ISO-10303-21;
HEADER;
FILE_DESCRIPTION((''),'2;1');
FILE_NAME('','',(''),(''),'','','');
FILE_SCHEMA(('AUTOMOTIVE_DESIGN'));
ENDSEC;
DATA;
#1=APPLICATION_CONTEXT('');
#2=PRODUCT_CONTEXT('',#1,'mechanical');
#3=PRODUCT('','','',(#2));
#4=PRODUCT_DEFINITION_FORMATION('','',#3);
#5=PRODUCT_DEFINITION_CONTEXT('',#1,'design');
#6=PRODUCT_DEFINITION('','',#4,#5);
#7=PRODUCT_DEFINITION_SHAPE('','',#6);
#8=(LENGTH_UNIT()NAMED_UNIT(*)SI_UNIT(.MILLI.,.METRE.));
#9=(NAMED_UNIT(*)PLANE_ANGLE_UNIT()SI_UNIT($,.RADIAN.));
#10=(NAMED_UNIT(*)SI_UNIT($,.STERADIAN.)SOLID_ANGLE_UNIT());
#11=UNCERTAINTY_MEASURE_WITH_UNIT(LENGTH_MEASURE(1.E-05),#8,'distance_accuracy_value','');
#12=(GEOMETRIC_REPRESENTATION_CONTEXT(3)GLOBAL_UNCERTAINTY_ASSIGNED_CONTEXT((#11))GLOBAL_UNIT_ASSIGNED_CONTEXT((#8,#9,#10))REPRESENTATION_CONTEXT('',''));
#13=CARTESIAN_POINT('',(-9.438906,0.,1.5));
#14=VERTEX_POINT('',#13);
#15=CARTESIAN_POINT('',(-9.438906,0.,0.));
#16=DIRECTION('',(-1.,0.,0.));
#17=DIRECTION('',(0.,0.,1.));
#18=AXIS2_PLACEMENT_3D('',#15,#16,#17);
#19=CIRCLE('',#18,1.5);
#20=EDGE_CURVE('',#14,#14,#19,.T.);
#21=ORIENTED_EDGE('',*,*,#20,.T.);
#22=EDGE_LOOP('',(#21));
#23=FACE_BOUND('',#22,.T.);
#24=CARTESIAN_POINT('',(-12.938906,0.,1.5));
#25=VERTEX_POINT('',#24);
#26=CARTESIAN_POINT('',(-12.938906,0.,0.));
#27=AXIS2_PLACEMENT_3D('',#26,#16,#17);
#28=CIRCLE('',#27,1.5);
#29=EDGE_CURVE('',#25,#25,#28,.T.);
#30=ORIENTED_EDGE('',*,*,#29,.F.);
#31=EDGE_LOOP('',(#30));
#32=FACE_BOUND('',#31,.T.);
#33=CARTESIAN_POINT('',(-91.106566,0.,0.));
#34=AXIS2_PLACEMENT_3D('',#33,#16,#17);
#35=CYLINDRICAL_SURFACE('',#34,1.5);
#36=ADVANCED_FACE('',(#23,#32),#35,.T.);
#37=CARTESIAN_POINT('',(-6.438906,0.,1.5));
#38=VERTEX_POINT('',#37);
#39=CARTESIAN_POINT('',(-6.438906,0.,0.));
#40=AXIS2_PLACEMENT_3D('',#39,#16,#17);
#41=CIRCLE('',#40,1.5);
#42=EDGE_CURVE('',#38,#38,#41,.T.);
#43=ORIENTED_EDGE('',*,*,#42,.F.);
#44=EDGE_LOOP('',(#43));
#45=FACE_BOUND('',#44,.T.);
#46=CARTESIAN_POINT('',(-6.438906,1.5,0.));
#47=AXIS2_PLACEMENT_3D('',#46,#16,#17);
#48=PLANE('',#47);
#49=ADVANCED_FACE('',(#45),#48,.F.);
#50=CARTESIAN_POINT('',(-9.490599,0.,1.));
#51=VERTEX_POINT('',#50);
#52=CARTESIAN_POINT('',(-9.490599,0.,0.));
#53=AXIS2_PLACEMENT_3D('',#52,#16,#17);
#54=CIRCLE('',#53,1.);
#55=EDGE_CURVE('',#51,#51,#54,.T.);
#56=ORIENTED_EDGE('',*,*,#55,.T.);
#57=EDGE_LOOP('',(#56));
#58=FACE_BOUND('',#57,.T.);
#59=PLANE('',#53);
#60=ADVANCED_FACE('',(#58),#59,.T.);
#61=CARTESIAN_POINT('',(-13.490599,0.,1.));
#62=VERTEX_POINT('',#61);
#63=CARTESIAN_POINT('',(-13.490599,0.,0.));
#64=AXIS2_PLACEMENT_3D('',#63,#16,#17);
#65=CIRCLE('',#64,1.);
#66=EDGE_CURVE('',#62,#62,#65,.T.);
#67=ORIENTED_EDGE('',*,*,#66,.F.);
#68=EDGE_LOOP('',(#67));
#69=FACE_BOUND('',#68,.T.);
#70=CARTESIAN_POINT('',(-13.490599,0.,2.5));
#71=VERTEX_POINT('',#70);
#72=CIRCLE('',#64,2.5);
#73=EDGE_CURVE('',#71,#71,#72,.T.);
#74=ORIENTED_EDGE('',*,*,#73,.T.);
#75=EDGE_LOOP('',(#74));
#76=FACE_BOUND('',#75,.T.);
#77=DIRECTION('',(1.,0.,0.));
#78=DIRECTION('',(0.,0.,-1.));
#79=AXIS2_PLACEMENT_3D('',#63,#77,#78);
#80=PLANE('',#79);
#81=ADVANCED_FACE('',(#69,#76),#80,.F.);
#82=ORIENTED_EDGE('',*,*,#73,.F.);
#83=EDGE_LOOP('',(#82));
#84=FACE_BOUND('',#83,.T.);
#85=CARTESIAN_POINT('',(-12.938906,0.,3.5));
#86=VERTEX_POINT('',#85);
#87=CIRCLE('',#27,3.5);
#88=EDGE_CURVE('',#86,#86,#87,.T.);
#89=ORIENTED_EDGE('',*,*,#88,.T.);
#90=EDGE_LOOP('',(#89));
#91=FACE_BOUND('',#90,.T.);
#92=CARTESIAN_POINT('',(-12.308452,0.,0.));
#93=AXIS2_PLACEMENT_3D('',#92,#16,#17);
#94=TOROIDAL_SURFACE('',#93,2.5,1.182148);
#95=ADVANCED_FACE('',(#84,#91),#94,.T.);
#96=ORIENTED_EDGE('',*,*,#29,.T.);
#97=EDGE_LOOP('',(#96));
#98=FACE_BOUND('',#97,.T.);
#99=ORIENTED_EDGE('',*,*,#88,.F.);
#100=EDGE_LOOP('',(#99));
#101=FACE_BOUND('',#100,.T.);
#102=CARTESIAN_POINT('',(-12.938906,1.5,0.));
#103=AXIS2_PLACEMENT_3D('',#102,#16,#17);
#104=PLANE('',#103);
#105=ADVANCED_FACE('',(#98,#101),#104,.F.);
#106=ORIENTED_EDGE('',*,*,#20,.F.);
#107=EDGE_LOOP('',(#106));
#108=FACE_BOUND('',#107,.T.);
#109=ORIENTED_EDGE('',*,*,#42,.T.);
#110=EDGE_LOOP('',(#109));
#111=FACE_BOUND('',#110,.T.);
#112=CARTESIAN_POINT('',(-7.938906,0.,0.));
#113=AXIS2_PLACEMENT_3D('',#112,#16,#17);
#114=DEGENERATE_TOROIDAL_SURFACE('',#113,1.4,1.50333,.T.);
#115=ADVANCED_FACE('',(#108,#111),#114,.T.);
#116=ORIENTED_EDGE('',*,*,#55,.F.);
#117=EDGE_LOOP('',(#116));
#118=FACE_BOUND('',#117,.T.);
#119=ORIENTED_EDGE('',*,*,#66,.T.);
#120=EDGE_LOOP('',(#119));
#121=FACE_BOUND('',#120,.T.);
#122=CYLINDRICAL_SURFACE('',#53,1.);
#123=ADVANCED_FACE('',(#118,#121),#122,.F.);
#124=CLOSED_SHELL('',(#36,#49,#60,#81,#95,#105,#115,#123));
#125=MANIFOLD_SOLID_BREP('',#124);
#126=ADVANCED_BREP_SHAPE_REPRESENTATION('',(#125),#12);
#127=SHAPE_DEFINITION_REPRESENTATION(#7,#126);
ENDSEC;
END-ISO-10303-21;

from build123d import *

# Parameters (mm, degrees)
ESQUISSE2_R      = 1
EXTRUSION1_DEPTH = 4


with BuildPart() as part:
    # Esquisse1 → Révolution1 (revolve)
    with BuildSketch(Plane.XY, mode=Mode.PRIVATE) as r_volution1_sk:
        with BuildLine():
            Line((-13.490599357, 0), (-13.490599357, 2.5))
            ThreePointArc((-13.490599357, 2.5), (-13.343527434, 3.071044042), (-12.938906334, 3.5))
            Line((-12.938906334, 3.5), (-12.938906334, 1.5))
            Line((-12.938906334, 1.5), (-9.438906334, 1.5))
            ThreePointArc((-9.438906334, 1.5), (-7.938906334, 2.903329638), (-6.438906334, 1.5))
            Line((-6.438906334, 1.5), (-6.438906334, 0))
            Line((-6.438906334, 0), (-13.490599357, 0))
        make_face()
    revolve(r_volution1_sk.sketch.rotate(Axis((-91.106565723, 0, 0), (1, 0, 0)), 90), axis=Axis((-91.106565723, 0, 0), (1, 0, 0)))

    # Esquisse2 → Extrusion1 (cut)
    with BuildSketch(Plane.ZY.offset(13.490599357)):
        Circle(ESQUISSE2_R)
    extrude(amount=-EXTRUSION1_DEPTH, mode=Mode.SUBTRACT)


solid = part.part
